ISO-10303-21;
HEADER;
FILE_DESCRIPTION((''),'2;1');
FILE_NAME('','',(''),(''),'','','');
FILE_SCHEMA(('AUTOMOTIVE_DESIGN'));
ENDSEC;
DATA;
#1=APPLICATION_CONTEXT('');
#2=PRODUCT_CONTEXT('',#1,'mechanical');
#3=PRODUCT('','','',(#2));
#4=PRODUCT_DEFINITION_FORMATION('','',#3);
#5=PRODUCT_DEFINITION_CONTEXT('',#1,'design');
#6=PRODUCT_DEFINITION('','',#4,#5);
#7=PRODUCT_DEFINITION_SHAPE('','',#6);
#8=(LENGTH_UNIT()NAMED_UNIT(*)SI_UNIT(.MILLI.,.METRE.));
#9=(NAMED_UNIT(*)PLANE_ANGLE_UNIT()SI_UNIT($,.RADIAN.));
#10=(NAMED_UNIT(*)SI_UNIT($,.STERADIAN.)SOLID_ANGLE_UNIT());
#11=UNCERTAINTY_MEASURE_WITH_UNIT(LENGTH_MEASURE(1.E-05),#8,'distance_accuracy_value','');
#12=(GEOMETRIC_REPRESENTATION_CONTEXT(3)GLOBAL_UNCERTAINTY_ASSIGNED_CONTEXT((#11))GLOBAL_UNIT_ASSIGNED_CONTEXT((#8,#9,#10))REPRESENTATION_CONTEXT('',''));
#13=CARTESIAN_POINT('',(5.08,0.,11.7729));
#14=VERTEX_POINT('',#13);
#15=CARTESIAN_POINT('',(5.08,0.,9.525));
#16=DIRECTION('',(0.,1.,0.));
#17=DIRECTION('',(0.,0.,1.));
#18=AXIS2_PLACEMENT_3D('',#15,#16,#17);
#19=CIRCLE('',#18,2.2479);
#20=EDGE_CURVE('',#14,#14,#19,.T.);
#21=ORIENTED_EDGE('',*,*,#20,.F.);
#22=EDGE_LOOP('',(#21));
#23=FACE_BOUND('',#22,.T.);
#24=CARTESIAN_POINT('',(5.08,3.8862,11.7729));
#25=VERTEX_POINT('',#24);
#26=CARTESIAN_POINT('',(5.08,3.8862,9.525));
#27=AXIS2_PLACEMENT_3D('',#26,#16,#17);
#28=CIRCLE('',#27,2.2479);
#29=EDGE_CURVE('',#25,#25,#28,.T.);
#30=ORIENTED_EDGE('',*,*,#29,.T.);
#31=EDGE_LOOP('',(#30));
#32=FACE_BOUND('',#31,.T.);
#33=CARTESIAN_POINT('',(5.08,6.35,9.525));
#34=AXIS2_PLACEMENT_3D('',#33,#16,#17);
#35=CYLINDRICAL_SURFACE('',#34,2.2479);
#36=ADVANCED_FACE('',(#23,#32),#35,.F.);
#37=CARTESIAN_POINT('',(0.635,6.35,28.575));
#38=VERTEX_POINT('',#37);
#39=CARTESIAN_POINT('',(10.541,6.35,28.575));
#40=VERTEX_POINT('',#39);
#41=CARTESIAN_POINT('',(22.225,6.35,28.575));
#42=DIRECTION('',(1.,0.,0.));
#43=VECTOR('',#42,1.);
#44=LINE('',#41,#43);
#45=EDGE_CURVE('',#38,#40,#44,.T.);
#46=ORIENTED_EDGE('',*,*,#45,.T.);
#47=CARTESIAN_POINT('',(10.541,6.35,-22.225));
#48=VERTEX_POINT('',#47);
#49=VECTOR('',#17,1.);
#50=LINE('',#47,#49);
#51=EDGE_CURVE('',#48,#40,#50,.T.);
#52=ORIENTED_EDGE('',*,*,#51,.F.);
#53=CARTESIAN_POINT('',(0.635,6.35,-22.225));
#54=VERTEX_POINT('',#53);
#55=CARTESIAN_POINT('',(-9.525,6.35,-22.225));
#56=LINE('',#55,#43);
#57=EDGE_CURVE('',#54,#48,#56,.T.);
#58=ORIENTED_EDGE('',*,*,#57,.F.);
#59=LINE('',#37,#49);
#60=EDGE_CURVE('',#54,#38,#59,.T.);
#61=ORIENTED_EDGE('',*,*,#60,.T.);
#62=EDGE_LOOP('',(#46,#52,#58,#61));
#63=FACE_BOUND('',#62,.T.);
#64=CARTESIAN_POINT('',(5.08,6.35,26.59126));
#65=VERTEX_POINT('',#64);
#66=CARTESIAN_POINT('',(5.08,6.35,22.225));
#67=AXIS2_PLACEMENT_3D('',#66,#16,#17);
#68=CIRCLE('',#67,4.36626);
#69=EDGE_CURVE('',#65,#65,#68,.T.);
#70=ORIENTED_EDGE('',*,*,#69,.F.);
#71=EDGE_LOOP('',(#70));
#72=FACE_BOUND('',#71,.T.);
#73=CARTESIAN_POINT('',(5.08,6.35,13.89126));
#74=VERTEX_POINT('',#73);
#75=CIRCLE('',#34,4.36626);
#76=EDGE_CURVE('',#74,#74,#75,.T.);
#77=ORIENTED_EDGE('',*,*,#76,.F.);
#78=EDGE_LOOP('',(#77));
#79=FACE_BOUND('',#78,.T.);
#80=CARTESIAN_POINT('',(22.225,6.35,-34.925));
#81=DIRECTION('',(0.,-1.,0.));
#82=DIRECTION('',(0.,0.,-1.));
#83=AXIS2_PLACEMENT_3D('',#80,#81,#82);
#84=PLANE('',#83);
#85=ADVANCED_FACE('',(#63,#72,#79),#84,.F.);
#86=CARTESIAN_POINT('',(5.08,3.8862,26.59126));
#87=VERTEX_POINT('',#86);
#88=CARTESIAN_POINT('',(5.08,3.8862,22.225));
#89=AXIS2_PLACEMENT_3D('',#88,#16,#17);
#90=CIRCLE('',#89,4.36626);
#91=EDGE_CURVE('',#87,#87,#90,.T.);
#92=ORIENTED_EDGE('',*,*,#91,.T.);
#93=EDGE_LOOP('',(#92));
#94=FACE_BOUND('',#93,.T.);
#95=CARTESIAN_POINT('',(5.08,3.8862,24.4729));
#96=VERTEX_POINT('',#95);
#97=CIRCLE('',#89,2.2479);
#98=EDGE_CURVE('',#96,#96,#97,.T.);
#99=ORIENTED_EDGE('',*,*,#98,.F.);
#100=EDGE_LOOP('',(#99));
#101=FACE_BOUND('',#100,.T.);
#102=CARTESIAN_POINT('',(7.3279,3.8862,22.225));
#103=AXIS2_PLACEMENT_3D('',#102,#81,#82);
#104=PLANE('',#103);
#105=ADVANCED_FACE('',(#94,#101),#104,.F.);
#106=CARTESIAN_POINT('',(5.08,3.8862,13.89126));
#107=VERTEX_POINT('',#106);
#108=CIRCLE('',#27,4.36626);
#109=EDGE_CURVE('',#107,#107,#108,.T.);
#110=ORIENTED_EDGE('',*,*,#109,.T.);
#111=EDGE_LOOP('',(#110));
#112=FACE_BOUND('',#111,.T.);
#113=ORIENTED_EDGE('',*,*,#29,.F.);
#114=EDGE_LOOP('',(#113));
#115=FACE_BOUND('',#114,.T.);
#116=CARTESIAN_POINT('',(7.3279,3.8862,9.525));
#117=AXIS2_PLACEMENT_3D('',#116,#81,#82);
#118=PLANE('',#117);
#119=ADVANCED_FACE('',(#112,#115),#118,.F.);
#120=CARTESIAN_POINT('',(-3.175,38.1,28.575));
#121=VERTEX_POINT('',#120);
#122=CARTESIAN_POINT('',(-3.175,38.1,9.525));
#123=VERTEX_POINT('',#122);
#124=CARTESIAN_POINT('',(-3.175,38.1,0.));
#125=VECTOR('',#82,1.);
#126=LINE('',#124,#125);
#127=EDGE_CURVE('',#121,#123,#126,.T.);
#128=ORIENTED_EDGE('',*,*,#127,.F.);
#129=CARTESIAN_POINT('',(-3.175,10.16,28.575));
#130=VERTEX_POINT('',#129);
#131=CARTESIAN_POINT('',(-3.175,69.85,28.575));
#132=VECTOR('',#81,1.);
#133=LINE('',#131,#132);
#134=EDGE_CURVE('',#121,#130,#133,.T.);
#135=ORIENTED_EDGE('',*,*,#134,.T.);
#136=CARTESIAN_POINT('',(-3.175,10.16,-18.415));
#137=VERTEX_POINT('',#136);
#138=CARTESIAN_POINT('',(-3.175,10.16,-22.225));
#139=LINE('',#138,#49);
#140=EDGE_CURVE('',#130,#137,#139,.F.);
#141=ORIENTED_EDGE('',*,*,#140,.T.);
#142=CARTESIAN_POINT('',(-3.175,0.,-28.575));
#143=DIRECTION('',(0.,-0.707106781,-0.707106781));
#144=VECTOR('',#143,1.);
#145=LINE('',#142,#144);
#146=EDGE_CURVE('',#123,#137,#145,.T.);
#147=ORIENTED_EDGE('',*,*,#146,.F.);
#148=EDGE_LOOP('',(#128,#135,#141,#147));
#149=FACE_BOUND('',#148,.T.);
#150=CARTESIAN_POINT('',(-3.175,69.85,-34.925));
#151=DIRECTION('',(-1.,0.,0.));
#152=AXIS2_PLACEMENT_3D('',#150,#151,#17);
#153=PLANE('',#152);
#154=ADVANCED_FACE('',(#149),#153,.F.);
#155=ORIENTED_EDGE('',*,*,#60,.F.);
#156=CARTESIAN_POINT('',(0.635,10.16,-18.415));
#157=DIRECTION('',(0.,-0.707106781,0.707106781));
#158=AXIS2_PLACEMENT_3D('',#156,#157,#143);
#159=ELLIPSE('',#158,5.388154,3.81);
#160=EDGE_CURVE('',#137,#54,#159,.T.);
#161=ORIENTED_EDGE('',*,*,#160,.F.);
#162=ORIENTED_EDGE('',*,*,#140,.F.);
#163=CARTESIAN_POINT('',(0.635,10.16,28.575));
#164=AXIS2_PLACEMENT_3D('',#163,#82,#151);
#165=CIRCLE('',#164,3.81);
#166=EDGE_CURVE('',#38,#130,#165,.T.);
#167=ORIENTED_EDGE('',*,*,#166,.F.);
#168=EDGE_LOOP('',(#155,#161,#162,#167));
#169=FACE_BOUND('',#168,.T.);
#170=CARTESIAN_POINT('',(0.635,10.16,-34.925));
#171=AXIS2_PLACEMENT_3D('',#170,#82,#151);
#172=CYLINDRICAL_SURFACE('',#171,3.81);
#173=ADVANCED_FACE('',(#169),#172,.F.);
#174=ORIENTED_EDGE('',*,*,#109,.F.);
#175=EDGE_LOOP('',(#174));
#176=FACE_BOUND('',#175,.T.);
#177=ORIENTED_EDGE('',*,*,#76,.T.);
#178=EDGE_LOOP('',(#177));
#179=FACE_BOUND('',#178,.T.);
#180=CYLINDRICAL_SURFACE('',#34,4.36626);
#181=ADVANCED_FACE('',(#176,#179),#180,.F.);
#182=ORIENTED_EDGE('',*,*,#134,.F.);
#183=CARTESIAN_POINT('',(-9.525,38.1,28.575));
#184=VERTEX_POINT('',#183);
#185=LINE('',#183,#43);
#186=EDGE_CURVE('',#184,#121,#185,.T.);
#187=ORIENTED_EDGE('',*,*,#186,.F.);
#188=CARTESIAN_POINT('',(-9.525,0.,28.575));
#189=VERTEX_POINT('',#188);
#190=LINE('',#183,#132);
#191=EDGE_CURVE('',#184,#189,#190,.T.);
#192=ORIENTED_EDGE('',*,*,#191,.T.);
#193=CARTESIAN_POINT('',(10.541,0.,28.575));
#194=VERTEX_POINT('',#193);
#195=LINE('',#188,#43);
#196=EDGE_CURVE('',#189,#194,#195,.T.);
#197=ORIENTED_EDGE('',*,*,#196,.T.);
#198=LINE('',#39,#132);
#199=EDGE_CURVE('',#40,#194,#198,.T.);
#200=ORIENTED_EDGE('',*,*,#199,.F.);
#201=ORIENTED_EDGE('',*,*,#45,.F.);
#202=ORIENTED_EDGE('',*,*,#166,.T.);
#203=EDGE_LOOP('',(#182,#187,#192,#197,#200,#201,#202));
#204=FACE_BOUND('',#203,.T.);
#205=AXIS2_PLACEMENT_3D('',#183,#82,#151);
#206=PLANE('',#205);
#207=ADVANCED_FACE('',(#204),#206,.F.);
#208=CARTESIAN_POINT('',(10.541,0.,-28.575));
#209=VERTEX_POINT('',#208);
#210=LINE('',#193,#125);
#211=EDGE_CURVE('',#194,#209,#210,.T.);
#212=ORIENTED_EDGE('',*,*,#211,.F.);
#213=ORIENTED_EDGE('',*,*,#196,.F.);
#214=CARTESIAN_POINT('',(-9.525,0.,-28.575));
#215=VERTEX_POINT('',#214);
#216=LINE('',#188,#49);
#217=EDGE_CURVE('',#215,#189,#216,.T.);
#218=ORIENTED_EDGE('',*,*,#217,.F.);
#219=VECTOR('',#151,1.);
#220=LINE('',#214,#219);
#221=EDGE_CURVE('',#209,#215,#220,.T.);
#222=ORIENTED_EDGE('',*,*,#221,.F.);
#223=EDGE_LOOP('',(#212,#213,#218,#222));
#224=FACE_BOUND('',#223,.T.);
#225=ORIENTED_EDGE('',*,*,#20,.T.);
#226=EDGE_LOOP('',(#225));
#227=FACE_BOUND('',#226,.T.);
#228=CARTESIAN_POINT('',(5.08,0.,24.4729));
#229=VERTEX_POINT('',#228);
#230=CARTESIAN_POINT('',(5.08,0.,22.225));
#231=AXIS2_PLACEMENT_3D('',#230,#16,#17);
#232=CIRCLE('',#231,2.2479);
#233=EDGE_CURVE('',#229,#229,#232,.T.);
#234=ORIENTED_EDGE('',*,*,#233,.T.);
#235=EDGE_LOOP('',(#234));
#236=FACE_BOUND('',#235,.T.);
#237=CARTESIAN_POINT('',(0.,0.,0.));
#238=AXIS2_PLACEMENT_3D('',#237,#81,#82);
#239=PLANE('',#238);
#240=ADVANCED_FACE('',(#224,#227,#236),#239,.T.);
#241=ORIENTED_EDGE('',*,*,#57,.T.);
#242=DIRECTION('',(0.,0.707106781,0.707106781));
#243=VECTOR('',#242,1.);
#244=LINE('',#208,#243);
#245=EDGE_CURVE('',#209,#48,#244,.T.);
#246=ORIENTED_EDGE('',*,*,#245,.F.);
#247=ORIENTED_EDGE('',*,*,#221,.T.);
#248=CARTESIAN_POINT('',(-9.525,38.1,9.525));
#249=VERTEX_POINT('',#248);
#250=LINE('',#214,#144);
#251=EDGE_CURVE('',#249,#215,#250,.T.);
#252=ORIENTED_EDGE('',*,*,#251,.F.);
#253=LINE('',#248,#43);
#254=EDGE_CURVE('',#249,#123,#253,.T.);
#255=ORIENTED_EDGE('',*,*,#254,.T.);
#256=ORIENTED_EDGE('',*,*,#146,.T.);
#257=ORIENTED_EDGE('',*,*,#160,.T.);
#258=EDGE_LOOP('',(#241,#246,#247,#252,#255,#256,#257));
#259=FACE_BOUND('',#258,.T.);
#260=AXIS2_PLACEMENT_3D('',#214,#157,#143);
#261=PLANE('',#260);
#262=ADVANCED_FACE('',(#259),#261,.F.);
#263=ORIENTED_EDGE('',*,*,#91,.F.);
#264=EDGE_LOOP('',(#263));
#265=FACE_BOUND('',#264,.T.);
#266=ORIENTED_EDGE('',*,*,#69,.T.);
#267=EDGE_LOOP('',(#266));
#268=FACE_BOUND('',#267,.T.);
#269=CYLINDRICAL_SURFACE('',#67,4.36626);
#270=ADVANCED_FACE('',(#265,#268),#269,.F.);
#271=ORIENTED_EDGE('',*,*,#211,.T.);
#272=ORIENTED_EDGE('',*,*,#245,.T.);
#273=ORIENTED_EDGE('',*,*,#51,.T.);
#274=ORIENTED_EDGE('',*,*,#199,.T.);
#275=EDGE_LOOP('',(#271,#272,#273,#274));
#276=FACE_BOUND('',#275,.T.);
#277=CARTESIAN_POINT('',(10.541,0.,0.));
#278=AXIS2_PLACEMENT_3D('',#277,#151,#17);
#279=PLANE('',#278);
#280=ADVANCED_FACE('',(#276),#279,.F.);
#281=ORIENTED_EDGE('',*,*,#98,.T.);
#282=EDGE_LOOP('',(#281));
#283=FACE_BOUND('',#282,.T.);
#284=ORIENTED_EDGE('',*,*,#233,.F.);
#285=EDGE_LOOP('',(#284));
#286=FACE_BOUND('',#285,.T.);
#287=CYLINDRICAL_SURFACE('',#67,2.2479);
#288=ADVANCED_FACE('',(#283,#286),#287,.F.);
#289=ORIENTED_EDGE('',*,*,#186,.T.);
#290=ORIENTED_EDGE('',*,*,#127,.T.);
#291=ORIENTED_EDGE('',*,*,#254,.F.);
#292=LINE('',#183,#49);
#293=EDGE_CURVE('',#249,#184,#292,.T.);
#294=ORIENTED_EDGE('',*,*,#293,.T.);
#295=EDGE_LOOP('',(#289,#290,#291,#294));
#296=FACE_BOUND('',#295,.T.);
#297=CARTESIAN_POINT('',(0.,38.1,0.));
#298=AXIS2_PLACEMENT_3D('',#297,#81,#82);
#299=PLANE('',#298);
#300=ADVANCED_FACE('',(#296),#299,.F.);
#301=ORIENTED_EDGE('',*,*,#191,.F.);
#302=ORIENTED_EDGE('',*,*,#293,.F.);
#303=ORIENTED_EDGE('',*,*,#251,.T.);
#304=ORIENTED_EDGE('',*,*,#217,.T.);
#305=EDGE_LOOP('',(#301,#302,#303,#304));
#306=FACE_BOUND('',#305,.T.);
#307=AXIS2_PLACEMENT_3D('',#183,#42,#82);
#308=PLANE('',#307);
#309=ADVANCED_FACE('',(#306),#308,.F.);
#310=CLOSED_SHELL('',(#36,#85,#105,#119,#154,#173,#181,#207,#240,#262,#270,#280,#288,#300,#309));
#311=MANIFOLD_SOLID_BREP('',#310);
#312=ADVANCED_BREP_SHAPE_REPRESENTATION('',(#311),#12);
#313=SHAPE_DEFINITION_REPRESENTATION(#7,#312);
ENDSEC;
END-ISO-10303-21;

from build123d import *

# Parameters (mm, degrees)
SKETCH2_W                                      = 19.05
SKETCH2_H                                      = 57.15
BOSS_EXTRUDE2_DEPTH                            = 38.1
CUT_EXTRUDE2_DEPTH                             = 20.05
SKETCH7_W                                      = 25.4
SKETCH7_H                                      = 63.5
CUT_EXTRUDE5_DEPTH                             = 63.5
FILLET3_R                                      = 3.81
CBORE_FOR_8_BUTTON_HEAD_CAP_SCREW1_D           = 4.4958
CBORE_FOR_8_BUTTON_HEAD_CAP_SCREW1_CBORE_D     = 8.73252
CBORE_FOR_8_BUTTON_HEAD_CAP_SCREW1_CBORE_DEPTH = 2.4638
BOSS_EXTRUDE3_DEPTH                            = 1.016


with BuildPart() as part:
    # Sketch2 → Boss-Extrude2 (new body)
    with BuildSketch(Plane(origin=(0, 0, 0), x_dir=(1, 0, 0), z_dir=(0, 1, 0))):
        Rectangle(SKETCH2_W, SKETCH2_H)
    extrude(amount=BOSS_EXTRUDE2_DEPTH)

    # Sketch4 → Cut-Extrude2 (cut, through all)
    with BuildSketch(Plane(origin=(9.525, 0, 0), x_dir=(0, 0, -1), z_dir=(1, 0, 0))):
        Polygon((28.575, 0), (-9.525, 38.1), (28.575, 38.1), align=None)
    extrude(amount=-CUT_EXTRUDE2_DEPTH, mode=Mode.SUBTRACT)

    # Sketch7 → Cut-Extrude5 (cut)
    with BuildSketch(Plane.XY.offset(28.575)):
        with Locations((9.525, 38.1)):
            Rectangle(SKETCH7_W, SKETCH7_H)
    extrude(amount=-CUT_EXTRUDE5_DEPTH, mode=Mode.SUBTRACT)

    # Fillet3
    fillet3_edges = [part.edges().sort_by_distance(p)[0] for p in [
        (-3.175, 6.35, 3.175),
    ]]
    fillet(fillet3_edges, radius=FILLET3_R)

    # CBORE for #8 Button Head Cap Screw1 (through all)
    with Locations(Plane(origin=(0, 6.35, 0), x_dir=(1, 0, 0), z_dir=(0, 1, 0))):
        with Locations((5.08, -22.225), (5.08, -9.525)):
            CounterBoreHole(CBORE_FOR_8_BUTTON_HEAD_CAP_SCREW1_D / 2, CBORE_FOR_8_BUTTON_HEAD_CAP_SCREW1_CBORE_D / 2, CBORE_FOR_8_BUTTON_HEAD_CAP_SCREW1_CBORE_DEPTH)

    # Sketch12 → Boss-Extrude3 (add)
    with BuildSketch(Plane(origin=(9.525, 0, 0), x_dir=(0, 0, -1), z_dir=(1, 0, 0))):
        Polygon((28.575, 0), (22.225, 6.35), (-28.575, 6.35), (-28.575, 0), align=None)
    extrude(amount=BOSS_EXTRUDE3_DEPTH)


solid = part.part
